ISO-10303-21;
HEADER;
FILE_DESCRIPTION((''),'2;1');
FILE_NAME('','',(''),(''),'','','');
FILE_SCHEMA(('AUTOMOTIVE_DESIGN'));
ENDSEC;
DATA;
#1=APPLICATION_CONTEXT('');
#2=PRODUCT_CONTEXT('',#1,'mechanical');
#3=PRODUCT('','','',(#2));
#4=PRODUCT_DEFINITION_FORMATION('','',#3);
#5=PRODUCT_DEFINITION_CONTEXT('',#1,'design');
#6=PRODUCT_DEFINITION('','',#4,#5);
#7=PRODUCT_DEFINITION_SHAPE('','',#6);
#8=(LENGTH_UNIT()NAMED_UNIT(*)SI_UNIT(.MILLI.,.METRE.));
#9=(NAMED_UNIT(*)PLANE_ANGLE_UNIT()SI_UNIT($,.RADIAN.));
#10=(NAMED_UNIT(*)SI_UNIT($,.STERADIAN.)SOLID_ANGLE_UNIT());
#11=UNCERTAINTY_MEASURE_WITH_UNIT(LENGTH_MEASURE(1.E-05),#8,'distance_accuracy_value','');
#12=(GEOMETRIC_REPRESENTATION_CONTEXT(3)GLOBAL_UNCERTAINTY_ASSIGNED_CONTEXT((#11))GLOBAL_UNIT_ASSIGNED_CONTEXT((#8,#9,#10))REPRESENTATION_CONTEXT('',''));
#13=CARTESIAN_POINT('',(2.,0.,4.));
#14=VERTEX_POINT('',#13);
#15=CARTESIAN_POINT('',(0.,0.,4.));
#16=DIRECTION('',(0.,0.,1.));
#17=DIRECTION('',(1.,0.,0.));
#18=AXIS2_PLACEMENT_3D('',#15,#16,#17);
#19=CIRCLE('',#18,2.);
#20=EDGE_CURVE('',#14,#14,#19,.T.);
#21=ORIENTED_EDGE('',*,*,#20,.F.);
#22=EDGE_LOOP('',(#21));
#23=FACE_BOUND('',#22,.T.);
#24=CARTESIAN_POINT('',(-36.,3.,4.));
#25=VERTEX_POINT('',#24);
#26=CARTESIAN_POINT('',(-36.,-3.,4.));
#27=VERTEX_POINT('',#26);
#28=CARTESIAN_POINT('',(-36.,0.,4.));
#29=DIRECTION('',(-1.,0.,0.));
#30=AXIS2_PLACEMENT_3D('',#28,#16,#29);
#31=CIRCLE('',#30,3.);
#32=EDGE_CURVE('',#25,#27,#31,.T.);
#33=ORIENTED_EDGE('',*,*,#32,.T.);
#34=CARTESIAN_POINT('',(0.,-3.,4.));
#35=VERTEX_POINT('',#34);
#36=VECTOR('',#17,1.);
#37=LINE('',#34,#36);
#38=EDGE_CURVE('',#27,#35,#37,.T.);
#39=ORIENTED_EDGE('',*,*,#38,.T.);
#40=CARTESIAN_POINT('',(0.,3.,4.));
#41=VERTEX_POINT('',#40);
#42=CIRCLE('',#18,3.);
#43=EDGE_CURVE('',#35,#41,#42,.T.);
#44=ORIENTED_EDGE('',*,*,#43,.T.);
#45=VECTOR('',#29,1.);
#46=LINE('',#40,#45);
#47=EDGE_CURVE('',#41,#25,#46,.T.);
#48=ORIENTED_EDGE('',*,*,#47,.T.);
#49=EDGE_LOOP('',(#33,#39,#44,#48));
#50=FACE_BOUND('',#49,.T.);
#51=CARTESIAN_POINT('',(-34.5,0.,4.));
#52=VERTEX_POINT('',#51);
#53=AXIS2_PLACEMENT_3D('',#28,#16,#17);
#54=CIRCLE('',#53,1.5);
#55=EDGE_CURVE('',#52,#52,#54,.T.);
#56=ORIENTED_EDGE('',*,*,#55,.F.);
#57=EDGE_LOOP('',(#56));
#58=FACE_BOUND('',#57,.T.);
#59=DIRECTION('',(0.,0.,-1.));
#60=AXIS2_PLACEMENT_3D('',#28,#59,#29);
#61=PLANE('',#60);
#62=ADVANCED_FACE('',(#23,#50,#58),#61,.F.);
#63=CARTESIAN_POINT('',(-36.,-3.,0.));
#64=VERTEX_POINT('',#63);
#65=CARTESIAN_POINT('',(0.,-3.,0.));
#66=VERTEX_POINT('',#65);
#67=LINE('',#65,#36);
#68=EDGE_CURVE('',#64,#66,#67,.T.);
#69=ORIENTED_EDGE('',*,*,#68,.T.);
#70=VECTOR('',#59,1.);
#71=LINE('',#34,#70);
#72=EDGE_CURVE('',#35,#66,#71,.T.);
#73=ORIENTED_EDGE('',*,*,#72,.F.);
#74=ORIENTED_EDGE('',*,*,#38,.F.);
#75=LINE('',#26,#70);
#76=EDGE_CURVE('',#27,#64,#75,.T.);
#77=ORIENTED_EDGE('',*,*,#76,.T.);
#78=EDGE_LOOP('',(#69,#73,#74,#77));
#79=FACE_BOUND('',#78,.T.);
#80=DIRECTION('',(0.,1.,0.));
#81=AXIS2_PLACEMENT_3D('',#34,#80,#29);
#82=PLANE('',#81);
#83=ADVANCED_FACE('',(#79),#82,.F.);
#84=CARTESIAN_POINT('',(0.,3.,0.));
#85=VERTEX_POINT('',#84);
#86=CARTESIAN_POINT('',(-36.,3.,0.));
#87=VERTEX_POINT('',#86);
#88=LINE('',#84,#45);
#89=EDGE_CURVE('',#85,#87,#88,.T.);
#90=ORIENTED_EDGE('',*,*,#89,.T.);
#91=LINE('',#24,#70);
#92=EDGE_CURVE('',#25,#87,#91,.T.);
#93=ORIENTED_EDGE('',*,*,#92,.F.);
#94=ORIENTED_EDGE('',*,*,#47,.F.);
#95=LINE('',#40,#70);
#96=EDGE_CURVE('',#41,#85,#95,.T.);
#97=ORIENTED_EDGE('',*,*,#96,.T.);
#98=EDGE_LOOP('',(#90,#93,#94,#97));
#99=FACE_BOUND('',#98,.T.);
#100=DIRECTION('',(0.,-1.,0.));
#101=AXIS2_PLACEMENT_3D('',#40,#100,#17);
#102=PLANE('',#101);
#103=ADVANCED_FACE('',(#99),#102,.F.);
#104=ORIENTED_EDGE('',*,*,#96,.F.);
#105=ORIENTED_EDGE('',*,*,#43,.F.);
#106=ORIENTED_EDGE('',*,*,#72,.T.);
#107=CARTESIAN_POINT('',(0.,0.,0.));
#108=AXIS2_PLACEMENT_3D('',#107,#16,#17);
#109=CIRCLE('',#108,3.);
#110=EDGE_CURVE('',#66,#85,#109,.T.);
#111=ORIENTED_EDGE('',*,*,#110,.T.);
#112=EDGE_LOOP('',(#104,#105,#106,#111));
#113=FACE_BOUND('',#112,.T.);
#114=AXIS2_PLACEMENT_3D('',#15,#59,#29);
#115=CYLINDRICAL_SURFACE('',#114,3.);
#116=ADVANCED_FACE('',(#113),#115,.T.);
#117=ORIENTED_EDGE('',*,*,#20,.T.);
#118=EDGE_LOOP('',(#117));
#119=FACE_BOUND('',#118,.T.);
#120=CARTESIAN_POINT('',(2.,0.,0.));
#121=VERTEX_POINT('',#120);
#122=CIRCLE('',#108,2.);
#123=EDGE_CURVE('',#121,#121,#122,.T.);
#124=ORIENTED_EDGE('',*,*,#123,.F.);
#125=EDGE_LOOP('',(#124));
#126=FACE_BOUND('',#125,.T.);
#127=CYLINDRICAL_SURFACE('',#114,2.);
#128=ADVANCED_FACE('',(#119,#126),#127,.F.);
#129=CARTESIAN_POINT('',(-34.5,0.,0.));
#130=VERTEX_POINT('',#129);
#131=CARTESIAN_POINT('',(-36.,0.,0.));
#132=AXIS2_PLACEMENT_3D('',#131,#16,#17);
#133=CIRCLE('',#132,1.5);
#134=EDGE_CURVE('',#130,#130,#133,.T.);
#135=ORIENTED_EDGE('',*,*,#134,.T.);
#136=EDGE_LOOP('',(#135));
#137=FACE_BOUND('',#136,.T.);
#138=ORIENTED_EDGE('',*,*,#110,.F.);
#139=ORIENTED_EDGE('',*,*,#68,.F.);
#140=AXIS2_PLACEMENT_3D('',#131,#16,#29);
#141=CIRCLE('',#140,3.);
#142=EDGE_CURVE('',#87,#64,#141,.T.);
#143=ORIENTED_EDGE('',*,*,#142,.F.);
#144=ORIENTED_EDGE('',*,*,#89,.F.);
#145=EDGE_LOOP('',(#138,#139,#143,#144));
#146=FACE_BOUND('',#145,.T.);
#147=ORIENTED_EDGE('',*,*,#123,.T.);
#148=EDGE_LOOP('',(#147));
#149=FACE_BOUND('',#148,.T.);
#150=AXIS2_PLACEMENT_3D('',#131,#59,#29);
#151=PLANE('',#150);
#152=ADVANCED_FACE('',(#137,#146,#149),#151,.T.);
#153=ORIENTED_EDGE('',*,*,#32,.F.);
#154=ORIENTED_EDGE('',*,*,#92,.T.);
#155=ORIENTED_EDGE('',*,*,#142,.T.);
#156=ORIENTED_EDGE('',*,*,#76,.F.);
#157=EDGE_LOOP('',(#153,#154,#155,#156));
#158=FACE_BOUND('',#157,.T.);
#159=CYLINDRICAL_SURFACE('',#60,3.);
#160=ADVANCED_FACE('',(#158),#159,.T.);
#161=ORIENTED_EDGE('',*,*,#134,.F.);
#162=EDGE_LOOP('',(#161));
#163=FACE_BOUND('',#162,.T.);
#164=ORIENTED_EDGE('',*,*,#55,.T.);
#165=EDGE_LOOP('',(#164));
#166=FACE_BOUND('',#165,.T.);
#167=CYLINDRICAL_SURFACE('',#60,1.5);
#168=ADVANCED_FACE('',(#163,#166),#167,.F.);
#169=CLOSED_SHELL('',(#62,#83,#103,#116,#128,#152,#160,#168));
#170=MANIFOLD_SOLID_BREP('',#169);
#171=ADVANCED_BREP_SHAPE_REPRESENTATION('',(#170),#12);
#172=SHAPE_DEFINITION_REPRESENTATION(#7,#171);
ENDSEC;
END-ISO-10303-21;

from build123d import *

# Parameters (mm, degrees)
SKETCH2_R           = 2
SKETCH2_R_2         = 1.5
BOSS_EXTRUDE1_DEPTH = 4


with BuildPart() as part:
    # Sketch2 → Boss-Extrude1 (new body)
    with BuildSketch(Plane.XY):
        with BuildLine():
            Line((0, 3), (-36, 3))
            ThreePointArc((-36, 3), (-39, 0), (-36, -3))
            Line((-36, -3), (0, -3))
            ThreePointArc((0, -3), (3, 0), (0, 3))
        make_face()
        Circle(SKETCH2_R, mode=Mode.SUBTRACT)
        with Locations((-36, 0)):
            Circle(SKETCH2_R_2, mode=Mode.SUBTRACT)
    extrude(amount=BOSS_EXTRUDE1_DEPTH)


solid = part.part
